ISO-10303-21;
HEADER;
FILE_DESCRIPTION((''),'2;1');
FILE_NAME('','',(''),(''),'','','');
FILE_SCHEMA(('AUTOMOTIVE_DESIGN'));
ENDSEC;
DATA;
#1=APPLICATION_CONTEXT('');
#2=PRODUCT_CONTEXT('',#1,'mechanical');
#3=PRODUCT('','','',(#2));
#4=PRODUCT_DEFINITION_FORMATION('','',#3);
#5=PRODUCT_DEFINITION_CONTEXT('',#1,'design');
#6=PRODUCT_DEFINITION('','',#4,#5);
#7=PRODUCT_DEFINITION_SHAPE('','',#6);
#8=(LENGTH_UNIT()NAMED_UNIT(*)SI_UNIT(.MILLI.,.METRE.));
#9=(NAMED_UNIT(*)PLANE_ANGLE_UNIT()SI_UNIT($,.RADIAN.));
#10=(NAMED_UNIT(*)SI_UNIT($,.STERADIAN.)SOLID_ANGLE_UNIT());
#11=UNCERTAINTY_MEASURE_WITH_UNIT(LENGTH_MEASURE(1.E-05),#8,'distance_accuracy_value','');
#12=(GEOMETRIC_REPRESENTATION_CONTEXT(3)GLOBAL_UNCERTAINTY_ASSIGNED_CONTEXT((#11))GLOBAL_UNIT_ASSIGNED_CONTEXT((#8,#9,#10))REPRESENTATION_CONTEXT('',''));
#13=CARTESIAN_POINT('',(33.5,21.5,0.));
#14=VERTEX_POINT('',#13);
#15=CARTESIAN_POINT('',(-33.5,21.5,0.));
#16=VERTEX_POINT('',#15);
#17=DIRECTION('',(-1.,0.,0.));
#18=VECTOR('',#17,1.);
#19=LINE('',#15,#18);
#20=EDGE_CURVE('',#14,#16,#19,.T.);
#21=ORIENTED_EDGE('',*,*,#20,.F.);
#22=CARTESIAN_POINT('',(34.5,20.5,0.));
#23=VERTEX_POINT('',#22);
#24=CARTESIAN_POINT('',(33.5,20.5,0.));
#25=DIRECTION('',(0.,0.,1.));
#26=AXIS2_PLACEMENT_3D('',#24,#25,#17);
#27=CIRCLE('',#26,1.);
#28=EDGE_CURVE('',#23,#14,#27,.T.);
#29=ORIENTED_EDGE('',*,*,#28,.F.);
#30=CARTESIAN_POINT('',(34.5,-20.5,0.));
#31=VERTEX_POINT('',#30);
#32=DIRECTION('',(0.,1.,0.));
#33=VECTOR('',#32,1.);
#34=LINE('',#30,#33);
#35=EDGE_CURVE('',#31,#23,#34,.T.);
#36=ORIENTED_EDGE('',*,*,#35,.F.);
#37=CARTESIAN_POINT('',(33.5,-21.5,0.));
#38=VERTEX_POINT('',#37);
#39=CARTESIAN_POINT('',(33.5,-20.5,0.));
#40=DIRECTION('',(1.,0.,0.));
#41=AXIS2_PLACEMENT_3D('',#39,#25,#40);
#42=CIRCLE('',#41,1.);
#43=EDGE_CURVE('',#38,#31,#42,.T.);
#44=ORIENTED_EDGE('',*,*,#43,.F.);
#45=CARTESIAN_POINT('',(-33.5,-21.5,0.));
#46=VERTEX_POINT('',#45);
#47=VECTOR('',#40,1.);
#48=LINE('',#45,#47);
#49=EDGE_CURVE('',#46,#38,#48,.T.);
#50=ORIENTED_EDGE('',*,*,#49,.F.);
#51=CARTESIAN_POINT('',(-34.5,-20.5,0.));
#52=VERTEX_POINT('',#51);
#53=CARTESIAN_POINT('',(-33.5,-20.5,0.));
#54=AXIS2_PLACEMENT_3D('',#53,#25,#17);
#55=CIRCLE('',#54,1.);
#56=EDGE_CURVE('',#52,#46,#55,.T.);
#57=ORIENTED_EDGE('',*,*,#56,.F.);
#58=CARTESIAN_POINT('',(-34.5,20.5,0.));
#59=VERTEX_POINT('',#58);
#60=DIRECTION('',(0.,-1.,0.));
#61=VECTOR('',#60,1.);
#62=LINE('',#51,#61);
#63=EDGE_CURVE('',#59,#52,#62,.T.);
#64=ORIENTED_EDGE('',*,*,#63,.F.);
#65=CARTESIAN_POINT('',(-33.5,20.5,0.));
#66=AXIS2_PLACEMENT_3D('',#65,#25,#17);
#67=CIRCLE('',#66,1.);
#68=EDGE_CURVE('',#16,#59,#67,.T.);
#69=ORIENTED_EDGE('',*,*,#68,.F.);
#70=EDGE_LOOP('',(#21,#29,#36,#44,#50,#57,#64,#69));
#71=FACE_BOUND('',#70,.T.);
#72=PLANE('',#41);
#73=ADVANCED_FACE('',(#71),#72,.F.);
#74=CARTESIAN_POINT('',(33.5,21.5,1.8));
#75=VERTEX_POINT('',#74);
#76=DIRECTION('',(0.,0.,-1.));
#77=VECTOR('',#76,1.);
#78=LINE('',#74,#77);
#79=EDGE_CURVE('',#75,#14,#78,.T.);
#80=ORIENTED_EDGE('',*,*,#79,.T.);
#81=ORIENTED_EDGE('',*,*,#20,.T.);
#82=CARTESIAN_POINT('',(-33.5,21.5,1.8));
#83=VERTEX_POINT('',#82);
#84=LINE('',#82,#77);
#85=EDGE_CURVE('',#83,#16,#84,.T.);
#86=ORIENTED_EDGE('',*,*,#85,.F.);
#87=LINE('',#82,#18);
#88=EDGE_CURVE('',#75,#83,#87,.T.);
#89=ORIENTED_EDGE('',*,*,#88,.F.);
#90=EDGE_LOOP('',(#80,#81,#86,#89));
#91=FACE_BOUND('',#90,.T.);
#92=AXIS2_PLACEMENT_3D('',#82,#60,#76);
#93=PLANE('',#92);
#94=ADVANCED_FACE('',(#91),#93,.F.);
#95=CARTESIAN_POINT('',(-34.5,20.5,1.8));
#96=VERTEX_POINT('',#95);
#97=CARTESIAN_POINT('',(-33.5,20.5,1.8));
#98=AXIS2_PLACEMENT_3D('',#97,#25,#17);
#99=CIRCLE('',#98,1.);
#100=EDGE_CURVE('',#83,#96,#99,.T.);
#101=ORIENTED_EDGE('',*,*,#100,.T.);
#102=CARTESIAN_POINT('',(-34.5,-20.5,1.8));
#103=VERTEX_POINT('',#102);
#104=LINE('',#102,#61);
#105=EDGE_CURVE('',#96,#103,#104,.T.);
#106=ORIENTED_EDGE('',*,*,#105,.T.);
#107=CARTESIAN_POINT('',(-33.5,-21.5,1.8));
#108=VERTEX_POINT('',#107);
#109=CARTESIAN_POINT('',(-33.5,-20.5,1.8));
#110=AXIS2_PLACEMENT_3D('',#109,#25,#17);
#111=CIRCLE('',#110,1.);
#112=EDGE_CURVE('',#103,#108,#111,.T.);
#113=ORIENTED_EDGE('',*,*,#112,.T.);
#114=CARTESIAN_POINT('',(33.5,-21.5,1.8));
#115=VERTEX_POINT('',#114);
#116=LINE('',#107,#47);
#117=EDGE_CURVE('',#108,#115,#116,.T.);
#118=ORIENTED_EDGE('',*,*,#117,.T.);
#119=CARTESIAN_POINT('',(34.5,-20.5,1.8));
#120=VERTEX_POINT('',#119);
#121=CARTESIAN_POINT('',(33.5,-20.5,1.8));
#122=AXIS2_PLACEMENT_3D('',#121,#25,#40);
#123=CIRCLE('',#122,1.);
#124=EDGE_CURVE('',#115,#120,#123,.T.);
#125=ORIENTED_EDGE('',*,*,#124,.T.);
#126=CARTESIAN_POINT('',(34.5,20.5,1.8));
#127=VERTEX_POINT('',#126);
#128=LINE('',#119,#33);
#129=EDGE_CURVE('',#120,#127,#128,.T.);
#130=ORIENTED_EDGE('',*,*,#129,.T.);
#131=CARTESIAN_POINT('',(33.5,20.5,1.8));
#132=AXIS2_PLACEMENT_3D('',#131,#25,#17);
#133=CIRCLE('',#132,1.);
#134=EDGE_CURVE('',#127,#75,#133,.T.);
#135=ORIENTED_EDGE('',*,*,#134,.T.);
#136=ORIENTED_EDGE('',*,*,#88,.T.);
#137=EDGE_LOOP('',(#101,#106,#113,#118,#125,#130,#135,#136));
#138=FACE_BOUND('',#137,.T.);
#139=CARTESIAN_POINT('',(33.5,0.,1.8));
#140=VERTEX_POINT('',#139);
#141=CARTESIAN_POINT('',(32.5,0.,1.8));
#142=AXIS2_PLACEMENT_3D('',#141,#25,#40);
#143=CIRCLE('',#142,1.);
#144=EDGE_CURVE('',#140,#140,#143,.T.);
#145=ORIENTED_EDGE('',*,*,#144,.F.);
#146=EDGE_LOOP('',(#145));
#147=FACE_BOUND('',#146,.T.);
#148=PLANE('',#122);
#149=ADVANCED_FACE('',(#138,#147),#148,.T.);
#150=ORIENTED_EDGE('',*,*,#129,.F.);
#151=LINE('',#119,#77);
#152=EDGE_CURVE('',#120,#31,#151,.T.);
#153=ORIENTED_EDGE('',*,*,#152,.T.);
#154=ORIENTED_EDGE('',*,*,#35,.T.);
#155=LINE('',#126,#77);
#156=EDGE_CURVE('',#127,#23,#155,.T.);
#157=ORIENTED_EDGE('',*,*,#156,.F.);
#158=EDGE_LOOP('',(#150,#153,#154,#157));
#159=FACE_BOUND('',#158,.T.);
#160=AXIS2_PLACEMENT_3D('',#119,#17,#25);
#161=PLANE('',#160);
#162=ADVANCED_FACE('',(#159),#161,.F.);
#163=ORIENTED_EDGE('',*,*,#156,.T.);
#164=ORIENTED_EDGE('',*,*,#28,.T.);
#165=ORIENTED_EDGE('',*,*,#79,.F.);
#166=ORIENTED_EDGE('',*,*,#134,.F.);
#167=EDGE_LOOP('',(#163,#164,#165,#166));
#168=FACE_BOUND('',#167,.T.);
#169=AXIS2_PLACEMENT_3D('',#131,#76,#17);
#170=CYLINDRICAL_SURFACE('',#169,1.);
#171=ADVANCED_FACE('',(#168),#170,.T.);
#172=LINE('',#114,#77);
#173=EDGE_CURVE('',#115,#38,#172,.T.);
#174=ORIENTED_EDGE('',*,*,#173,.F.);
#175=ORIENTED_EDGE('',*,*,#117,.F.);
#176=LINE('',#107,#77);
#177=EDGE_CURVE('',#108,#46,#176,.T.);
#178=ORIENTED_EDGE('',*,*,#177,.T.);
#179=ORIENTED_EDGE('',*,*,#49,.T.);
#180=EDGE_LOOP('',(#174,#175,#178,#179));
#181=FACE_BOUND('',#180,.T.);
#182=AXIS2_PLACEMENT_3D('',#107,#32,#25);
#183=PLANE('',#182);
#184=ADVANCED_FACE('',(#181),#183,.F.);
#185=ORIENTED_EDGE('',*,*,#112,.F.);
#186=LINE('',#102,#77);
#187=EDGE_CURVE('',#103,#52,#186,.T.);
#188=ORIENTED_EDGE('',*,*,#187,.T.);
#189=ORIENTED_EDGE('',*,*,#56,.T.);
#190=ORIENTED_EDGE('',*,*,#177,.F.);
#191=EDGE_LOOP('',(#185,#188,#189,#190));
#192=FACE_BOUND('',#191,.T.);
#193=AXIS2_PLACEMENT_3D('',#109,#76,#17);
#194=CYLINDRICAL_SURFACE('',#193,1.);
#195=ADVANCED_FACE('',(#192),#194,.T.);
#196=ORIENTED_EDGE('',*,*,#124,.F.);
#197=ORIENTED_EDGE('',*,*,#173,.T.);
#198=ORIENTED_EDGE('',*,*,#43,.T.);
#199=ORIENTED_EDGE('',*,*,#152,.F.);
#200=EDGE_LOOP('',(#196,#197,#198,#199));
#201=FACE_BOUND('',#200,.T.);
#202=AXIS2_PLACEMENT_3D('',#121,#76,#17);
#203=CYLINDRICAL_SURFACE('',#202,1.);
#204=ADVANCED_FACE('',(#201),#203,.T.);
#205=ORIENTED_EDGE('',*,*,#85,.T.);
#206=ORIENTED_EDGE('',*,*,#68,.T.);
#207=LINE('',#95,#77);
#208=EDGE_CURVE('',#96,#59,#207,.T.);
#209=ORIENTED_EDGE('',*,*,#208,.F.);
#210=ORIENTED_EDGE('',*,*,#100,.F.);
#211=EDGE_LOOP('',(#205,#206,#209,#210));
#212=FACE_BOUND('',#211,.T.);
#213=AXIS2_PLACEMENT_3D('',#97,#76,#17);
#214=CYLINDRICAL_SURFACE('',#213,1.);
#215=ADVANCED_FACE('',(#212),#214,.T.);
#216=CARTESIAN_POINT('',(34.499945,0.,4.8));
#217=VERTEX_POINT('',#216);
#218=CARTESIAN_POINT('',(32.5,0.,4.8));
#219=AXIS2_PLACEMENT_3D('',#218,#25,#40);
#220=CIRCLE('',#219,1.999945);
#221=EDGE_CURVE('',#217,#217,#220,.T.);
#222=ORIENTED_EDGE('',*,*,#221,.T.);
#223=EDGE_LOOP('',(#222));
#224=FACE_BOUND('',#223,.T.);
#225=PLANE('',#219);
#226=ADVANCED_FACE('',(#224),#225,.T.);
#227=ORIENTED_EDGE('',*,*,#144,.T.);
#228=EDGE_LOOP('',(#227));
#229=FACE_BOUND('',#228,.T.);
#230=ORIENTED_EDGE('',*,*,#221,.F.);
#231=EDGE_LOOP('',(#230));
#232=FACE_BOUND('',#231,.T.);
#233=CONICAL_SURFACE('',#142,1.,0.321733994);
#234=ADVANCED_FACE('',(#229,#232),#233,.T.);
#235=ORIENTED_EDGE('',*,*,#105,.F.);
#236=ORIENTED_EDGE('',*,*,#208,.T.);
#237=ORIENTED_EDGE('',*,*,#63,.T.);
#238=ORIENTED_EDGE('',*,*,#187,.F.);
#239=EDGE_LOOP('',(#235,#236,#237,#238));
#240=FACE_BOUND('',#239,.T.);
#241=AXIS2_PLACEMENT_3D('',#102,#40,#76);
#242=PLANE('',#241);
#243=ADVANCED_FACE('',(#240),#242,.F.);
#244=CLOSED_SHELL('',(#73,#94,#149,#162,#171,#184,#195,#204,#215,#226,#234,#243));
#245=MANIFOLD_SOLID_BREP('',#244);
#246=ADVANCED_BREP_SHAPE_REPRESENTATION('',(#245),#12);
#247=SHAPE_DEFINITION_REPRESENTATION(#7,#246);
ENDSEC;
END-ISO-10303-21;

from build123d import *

# Parameters (mm, degrees)
BOSS_EXTRUDE1_DEPTH = 1.8
SKETCH2_R           = 1
BOSS_EXTRUDE2_DEPTH = 3
BOSS_EXTRUDE2_DRAFT = -18.434


with BuildPart() as part:
    # Sketch1 → Boss-Extrude1 (new body)
    with BuildSketch(Plane.XY):
        with BuildLine():
            Line((-33.5, -21.5), (33.5, -21.5))
            ThreePointArc((33.5, -21.5), (34.207106781, -21.207106781), (34.5, -20.5))
            Line((34.5, -20.5), (34.5, 20.5))
            ThreePointArc((34.5, 20.5), (34.207106781, 21.207106781), (33.5, 21.5))
            Line((33.5, 21.5), (-33.5, 21.5))
            ThreePointArc((-33.5, 21.5), (-34.207106781, 21.207106781), (-34.5, 20.5))
            Line((-34.5, 20.5), (-34.5, -20.5))
            ThreePointArc((-34.5, -20.5), (-34.207106781, -21.207106781), (-33.5, -21.5))
        make_face()
    extrude(amount=BOSS_EXTRUDE1_DEPTH)


with BuildPart() as boss_extrude2_tool:
    # Sketch2 → Boss-Extrude2 (with draft: the straight prism first)
    with BuildSketch(Plane.XY.offset(1.8)):
        with Locations((32.5, 0)):
            Circle(SKETCH2_R)
    extrude(amount=BOSS_EXTRUDE2_DEPTH)
    # Boss-Extrude2: the draft: its side faces are tilted about the plane it starts from
    boss_extrude2_sides = [boss_extrude2_tool.faces().sort_by_distance(p)[0] for p in [
        (31.5, 0, 3.3),
    ]]
    draft(boss_extrude2_sides, Plane.XY.offset(1.8), BOSS_EXTRUDE2_DRAFT)


with BuildPart() as part_1:
    add(part.part)

    # Boss-Extrude2: add boss_extrude2_tool
    add(boss_extrude2_tool.part)


solid = part_1.part
